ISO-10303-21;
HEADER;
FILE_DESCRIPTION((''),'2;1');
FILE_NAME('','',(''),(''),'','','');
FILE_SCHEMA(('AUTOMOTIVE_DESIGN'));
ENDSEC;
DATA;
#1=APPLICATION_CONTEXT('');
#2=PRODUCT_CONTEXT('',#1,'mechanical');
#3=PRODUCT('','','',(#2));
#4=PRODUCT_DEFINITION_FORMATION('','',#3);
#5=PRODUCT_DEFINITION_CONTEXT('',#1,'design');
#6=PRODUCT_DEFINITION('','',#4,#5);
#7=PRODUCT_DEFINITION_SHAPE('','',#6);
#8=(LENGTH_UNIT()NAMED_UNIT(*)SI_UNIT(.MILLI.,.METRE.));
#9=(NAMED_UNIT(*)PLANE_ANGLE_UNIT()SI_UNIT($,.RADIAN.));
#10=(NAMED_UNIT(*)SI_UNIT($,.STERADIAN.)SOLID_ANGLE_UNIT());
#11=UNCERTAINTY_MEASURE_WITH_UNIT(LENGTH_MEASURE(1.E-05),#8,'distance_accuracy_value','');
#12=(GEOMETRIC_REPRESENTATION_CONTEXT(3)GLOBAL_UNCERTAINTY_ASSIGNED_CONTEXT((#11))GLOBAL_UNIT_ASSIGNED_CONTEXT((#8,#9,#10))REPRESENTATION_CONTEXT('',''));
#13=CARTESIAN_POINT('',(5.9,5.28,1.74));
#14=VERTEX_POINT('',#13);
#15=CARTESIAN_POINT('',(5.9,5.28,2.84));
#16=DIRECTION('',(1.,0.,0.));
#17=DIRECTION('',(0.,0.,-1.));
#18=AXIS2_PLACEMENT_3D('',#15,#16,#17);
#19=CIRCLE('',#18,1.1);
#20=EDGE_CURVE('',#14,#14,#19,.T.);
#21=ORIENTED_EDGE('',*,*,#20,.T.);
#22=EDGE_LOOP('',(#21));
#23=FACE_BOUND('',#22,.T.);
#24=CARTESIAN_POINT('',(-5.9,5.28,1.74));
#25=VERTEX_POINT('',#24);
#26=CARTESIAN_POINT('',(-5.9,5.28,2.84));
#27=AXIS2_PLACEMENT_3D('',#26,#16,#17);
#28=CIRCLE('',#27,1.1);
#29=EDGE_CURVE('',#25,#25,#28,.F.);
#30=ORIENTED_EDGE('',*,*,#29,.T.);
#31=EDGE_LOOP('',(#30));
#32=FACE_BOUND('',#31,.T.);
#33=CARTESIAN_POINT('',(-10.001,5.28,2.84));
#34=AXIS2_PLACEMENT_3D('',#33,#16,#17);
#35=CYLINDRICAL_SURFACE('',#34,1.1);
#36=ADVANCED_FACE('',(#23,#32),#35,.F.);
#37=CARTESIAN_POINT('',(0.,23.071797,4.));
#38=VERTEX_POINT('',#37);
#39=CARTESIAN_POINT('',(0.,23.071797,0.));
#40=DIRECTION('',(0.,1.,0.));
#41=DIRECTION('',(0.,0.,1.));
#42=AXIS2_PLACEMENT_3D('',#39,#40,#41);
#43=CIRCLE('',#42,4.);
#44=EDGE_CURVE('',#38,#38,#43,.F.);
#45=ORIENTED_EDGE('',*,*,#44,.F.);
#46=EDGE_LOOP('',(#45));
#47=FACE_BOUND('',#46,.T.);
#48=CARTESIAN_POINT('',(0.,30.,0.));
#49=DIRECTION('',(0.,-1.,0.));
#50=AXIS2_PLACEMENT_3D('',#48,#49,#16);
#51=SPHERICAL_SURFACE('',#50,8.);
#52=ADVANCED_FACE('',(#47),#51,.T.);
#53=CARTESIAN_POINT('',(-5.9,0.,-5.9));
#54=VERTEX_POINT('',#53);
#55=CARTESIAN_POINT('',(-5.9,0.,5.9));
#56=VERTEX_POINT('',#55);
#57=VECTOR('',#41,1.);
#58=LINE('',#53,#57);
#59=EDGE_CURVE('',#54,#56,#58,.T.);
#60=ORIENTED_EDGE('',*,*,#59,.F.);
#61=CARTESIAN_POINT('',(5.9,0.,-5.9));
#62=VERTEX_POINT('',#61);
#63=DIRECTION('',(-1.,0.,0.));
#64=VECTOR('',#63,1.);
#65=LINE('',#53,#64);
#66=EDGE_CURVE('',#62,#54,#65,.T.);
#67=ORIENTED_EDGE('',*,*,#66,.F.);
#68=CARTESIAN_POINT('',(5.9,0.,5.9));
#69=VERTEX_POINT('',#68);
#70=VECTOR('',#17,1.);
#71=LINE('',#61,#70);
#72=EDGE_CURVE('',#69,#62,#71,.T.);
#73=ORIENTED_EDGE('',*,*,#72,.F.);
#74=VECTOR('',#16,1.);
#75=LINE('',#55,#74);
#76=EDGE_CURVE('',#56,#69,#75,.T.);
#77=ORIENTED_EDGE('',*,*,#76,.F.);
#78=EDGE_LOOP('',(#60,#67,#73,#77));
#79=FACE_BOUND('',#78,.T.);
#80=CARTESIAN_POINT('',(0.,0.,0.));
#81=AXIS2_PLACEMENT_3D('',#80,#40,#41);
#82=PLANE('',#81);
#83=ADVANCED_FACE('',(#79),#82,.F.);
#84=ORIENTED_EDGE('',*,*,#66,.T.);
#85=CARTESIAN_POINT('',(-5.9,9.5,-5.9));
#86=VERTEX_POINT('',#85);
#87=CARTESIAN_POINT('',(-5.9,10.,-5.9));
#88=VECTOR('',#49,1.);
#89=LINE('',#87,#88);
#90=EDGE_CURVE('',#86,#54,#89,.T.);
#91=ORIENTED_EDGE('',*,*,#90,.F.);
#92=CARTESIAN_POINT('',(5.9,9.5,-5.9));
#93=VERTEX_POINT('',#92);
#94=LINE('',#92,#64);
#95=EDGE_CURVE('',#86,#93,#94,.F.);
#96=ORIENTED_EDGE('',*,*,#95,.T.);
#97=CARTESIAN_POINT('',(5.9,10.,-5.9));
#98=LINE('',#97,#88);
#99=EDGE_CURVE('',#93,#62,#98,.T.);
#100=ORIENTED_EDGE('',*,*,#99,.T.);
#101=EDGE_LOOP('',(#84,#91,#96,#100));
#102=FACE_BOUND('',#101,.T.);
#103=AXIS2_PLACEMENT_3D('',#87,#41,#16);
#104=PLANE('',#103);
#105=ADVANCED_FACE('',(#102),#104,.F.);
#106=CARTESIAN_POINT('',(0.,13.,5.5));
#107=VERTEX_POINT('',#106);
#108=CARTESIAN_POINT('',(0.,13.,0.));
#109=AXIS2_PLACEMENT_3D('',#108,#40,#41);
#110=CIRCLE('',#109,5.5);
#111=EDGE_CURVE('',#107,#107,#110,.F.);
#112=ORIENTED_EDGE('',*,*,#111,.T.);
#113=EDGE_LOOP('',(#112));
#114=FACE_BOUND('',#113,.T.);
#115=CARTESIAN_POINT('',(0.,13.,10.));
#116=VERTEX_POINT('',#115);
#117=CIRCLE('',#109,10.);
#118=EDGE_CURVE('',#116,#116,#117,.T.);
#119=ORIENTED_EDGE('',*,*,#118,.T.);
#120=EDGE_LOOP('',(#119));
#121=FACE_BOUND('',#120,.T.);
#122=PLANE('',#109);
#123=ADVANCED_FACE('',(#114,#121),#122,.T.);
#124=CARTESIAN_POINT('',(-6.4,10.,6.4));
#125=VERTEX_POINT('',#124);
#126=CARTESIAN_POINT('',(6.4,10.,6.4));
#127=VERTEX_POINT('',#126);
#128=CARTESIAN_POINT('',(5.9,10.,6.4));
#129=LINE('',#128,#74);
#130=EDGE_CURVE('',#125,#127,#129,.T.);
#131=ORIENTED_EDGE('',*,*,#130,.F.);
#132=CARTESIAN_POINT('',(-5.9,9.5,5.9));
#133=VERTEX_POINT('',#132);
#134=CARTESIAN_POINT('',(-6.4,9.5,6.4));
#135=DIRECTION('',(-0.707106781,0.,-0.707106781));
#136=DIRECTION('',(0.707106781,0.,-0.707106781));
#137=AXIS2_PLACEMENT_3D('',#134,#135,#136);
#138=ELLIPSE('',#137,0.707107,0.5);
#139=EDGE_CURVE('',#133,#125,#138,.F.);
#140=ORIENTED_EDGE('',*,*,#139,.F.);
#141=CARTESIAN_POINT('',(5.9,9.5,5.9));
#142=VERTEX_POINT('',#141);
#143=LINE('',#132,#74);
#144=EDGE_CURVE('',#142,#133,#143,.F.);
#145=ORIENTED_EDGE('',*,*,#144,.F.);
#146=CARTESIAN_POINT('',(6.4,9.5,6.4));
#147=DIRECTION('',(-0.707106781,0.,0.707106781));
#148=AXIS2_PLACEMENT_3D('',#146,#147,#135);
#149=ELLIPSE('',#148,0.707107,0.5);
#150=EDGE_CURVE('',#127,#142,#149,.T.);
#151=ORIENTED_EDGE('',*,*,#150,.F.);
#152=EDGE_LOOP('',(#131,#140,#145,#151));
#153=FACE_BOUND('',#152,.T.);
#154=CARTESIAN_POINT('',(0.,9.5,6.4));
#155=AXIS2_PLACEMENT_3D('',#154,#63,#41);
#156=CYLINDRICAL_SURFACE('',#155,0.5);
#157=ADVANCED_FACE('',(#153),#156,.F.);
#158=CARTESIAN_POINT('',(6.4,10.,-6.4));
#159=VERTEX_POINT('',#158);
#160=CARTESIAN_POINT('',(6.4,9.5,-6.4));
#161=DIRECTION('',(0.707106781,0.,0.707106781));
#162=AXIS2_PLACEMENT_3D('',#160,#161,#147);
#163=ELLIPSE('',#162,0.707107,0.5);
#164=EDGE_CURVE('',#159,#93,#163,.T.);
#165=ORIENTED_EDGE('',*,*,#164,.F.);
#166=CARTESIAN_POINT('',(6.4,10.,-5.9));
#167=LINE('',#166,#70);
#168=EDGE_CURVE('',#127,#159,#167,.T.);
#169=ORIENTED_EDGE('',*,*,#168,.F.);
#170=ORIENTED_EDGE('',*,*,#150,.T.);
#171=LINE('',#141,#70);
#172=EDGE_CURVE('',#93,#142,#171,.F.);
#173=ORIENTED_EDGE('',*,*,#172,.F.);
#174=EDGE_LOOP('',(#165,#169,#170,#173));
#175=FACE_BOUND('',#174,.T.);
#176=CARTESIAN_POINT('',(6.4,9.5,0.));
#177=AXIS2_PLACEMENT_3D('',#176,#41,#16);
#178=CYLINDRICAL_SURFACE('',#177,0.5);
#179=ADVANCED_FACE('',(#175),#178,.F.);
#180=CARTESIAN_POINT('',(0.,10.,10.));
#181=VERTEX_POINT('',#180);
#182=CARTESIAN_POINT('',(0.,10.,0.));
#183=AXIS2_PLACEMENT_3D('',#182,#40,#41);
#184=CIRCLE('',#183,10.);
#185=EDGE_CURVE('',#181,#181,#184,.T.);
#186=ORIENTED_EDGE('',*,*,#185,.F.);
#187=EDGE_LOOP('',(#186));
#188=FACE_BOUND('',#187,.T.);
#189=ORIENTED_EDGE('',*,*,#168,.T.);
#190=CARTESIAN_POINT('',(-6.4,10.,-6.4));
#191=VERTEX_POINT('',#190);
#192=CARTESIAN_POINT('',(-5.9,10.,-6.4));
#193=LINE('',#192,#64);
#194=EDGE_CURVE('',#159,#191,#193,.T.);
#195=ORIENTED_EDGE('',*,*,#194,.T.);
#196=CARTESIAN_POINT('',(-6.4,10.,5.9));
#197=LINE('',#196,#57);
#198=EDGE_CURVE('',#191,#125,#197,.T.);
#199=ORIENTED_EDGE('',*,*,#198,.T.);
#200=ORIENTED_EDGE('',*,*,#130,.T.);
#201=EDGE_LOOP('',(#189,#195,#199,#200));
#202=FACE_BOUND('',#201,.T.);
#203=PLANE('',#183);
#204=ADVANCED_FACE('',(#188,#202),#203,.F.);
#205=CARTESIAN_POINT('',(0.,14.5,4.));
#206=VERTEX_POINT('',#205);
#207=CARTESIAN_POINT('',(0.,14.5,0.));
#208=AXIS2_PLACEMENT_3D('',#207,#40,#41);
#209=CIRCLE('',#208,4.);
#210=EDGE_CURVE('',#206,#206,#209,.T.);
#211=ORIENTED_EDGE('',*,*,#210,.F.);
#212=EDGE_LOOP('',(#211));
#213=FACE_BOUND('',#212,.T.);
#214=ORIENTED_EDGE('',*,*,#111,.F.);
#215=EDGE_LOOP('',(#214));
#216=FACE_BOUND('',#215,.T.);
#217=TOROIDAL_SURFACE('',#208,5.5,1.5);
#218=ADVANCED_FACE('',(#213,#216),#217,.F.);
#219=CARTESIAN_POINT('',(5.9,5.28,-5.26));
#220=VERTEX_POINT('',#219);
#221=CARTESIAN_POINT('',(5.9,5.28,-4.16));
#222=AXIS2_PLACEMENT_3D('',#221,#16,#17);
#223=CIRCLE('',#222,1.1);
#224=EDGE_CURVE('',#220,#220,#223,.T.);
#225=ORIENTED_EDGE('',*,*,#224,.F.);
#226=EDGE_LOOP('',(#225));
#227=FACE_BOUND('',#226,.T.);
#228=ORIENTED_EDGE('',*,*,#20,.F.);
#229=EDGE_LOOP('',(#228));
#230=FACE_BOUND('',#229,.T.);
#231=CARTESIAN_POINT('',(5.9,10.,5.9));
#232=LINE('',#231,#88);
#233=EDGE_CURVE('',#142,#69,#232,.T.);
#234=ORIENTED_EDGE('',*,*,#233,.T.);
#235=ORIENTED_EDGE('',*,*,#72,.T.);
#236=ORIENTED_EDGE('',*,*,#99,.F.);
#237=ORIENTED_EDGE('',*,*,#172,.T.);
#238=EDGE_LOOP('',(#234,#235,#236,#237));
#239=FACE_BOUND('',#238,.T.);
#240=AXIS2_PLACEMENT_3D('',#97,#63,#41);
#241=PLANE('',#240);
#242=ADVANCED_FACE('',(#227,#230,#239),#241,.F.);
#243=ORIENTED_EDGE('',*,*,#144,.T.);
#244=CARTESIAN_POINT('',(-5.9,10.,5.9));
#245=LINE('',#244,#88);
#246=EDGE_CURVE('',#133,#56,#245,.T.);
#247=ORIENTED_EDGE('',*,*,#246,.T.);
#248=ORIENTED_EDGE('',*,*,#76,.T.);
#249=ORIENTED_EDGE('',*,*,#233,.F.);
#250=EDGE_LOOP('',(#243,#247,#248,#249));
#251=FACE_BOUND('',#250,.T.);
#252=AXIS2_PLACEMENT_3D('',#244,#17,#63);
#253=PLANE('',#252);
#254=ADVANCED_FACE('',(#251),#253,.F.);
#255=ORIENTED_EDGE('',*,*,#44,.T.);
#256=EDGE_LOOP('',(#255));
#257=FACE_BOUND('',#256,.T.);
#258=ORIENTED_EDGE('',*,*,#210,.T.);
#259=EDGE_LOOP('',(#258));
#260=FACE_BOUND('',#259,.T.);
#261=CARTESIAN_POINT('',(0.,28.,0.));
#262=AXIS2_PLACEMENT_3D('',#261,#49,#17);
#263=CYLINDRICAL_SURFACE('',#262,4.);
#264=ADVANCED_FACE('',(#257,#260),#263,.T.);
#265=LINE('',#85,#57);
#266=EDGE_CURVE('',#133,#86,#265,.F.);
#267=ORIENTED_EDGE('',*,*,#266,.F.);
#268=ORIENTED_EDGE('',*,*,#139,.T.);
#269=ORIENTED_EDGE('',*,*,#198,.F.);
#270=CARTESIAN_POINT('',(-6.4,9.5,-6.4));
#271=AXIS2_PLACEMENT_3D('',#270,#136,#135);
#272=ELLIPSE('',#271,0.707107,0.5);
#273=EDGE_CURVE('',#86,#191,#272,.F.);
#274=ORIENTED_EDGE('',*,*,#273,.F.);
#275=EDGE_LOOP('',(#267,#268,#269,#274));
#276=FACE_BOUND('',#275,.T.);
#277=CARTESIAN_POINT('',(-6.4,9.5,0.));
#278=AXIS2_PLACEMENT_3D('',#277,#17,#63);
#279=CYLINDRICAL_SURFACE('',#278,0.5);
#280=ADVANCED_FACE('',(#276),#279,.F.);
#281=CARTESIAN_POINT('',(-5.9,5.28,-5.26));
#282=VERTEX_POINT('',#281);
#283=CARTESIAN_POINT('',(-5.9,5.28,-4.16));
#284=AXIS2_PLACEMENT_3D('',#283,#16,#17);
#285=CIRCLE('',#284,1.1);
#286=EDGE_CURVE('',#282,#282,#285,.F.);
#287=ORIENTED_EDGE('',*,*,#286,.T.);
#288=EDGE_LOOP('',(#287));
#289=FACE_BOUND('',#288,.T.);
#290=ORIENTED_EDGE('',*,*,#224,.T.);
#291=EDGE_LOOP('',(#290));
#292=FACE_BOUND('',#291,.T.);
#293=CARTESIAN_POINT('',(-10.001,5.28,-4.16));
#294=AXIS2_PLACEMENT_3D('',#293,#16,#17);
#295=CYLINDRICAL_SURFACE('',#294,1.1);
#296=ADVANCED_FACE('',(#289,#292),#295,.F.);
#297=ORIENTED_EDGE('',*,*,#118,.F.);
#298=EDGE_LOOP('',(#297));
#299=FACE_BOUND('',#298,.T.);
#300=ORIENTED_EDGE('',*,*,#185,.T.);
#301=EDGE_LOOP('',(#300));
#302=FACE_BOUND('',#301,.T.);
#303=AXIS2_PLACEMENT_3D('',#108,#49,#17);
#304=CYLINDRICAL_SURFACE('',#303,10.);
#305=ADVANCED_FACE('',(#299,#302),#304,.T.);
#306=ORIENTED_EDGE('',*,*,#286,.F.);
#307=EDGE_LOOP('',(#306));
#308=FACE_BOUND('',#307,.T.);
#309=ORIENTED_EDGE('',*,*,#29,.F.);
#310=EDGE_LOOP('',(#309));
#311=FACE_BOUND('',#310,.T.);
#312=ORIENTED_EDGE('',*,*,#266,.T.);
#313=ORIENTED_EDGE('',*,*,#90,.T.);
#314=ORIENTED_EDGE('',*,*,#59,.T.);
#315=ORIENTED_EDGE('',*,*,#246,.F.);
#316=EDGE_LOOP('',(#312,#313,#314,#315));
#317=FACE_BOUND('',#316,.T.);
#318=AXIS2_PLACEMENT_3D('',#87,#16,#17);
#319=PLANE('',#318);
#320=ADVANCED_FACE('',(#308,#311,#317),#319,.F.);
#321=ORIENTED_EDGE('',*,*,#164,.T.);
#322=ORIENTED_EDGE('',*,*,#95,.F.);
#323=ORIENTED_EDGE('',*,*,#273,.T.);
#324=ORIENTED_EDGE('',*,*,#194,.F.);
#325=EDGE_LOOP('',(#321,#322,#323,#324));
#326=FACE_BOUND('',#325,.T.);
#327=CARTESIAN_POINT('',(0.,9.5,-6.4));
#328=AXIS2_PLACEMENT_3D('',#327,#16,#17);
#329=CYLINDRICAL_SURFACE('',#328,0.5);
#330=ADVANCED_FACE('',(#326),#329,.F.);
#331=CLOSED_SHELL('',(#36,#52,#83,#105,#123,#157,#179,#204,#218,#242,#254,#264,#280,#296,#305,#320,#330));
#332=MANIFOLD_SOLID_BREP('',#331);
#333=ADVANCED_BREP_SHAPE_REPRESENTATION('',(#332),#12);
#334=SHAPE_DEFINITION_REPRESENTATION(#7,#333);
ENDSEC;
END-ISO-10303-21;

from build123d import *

# Parameters (mm, degrees)
SKETCH1_W           = 11.8
SKETCH1_H           = 11.8
BOSS_EXTRUDE1_DEPTH = 10
SKETCH2_R           = 10
BOSS_EXTRUDE2_DEPTH = 3
SKETCH3_R           = 4
BOSS_EXTRUDE3_DEPTH = 15
FILLET1_R           = 0.5
FILLET2_R           = 1.5
CUT_EXTRUDE1_REACH  = 44.389
SKETCH6_R           = 1.1


with BuildPart() as part:
    # Sketch1 → Boss-Extrude1 (new body)
    with BuildSketch(Plane(origin=(0, 0, 0), x_dir=(1, 0, 0), z_dir=(0, 1, 0))):
        Rectangle(SKETCH1_W, SKETCH1_H)
    extrude(amount=BOSS_EXTRUDE1_DEPTH)

    # Sketch2 → Boss-Extrude2 (add)
    with BuildSketch(Plane(origin=(0, 10, 0), x_dir=(1, 0, 0), z_dir=(0, 1, 0))):
        with Locations(Location((0, 0, 0), (0, 0, 270))):
            Circle(SKETCH2_R)
    extrude(amount=BOSS_EXTRUDE2_DEPTH)

    # Sketch3 → Boss-Extrude3 (add)
    with BuildSketch(Plane(origin=(0, 13, 0), x_dir=(1, 0, 0), z_dir=(0, 1, 0))):
        with Locations(Location((0, 0, 0), (0, 0, 270))):
            Circle(SKETCH3_R)
    extrude(amount=BOSS_EXTRUDE3_DEPTH)

    # Sketch4 → Revolve1 (revolve)
    with BuildSketch(Plane.XY):
        with BuildLine():
            Line((0, 38), (0, 22))
            ThreePointArc((0, 22), (8, 30), (0, 38))
        make_face()
    revolve(axis=Axis((0, 0, 0), (0, 1, 0)))

    # Fillet1
    fillet1_edges = [part.edges().sort_by_distance(p)[0] for p in [
        (-5.9, 10, 0),
        (0, 10, 5.9),
        (5.9, 10, 0),
        (0, 10, -5.9),
    ]]
    fillet(fillet1_edges, radius=FILLET1_R)

    # Fillet2
    fillet2_edges = [part.edges().sort_by_distance(p)[0] for p in [
        (0, 13, -4),
    ]]
    fillet(fillet2_edges, radius=FILLET2_R)

    # Sketch6 → Cut-Extrude1 (cut, up to next)
    with BuildSketch(Plane(origin=(5.9, 0, 0), x_dir=(0, 0, -1), z_dir=(1, 0, 0)), mode=Mode.PRIVATE) as cut_extrude1_sk1:
        with Locations((-2.84, 5.28)):
            Circle(SKETCH6_R)
    cut_extrude1_tool1 = extrude(cut_extrude1_sk1.sketch, amount=-CUT_EXTRUDE1_REACH, mode=Mode.PRIVATE) & part.part
    # Sketch6 → Cut-Extrude1 (cut, up to next)
    with BuildSketch(Plane(origin=(5.9, 0, 0), x_dir=(0, 0, -1), z_dir=(1, 0, 0)), mode=Mode.PRIVATE) as cut_extrude1_sk2:
        with Locations((4.16, 5.28)):
            Circle(SKETCH6_R)
    cut_extrude1_tool2 = extrude(cut_extrude1_sk2.sketch, amount=-CUT_EXTRUDE1_REACH, mode=Mode.PRIVATE) & part.part
    add(cut_extrude1_tool1.solids().sort_by_distance((5.9, 5.28, 2.84))[0], mode=Mode.SUBTRACT)
    add(cut_extrude1_tool2.solids().sort_by_distance((5.9, 5.28, -4.16))[0], mode=Mode.SUBTRACT)


solid = part.part
